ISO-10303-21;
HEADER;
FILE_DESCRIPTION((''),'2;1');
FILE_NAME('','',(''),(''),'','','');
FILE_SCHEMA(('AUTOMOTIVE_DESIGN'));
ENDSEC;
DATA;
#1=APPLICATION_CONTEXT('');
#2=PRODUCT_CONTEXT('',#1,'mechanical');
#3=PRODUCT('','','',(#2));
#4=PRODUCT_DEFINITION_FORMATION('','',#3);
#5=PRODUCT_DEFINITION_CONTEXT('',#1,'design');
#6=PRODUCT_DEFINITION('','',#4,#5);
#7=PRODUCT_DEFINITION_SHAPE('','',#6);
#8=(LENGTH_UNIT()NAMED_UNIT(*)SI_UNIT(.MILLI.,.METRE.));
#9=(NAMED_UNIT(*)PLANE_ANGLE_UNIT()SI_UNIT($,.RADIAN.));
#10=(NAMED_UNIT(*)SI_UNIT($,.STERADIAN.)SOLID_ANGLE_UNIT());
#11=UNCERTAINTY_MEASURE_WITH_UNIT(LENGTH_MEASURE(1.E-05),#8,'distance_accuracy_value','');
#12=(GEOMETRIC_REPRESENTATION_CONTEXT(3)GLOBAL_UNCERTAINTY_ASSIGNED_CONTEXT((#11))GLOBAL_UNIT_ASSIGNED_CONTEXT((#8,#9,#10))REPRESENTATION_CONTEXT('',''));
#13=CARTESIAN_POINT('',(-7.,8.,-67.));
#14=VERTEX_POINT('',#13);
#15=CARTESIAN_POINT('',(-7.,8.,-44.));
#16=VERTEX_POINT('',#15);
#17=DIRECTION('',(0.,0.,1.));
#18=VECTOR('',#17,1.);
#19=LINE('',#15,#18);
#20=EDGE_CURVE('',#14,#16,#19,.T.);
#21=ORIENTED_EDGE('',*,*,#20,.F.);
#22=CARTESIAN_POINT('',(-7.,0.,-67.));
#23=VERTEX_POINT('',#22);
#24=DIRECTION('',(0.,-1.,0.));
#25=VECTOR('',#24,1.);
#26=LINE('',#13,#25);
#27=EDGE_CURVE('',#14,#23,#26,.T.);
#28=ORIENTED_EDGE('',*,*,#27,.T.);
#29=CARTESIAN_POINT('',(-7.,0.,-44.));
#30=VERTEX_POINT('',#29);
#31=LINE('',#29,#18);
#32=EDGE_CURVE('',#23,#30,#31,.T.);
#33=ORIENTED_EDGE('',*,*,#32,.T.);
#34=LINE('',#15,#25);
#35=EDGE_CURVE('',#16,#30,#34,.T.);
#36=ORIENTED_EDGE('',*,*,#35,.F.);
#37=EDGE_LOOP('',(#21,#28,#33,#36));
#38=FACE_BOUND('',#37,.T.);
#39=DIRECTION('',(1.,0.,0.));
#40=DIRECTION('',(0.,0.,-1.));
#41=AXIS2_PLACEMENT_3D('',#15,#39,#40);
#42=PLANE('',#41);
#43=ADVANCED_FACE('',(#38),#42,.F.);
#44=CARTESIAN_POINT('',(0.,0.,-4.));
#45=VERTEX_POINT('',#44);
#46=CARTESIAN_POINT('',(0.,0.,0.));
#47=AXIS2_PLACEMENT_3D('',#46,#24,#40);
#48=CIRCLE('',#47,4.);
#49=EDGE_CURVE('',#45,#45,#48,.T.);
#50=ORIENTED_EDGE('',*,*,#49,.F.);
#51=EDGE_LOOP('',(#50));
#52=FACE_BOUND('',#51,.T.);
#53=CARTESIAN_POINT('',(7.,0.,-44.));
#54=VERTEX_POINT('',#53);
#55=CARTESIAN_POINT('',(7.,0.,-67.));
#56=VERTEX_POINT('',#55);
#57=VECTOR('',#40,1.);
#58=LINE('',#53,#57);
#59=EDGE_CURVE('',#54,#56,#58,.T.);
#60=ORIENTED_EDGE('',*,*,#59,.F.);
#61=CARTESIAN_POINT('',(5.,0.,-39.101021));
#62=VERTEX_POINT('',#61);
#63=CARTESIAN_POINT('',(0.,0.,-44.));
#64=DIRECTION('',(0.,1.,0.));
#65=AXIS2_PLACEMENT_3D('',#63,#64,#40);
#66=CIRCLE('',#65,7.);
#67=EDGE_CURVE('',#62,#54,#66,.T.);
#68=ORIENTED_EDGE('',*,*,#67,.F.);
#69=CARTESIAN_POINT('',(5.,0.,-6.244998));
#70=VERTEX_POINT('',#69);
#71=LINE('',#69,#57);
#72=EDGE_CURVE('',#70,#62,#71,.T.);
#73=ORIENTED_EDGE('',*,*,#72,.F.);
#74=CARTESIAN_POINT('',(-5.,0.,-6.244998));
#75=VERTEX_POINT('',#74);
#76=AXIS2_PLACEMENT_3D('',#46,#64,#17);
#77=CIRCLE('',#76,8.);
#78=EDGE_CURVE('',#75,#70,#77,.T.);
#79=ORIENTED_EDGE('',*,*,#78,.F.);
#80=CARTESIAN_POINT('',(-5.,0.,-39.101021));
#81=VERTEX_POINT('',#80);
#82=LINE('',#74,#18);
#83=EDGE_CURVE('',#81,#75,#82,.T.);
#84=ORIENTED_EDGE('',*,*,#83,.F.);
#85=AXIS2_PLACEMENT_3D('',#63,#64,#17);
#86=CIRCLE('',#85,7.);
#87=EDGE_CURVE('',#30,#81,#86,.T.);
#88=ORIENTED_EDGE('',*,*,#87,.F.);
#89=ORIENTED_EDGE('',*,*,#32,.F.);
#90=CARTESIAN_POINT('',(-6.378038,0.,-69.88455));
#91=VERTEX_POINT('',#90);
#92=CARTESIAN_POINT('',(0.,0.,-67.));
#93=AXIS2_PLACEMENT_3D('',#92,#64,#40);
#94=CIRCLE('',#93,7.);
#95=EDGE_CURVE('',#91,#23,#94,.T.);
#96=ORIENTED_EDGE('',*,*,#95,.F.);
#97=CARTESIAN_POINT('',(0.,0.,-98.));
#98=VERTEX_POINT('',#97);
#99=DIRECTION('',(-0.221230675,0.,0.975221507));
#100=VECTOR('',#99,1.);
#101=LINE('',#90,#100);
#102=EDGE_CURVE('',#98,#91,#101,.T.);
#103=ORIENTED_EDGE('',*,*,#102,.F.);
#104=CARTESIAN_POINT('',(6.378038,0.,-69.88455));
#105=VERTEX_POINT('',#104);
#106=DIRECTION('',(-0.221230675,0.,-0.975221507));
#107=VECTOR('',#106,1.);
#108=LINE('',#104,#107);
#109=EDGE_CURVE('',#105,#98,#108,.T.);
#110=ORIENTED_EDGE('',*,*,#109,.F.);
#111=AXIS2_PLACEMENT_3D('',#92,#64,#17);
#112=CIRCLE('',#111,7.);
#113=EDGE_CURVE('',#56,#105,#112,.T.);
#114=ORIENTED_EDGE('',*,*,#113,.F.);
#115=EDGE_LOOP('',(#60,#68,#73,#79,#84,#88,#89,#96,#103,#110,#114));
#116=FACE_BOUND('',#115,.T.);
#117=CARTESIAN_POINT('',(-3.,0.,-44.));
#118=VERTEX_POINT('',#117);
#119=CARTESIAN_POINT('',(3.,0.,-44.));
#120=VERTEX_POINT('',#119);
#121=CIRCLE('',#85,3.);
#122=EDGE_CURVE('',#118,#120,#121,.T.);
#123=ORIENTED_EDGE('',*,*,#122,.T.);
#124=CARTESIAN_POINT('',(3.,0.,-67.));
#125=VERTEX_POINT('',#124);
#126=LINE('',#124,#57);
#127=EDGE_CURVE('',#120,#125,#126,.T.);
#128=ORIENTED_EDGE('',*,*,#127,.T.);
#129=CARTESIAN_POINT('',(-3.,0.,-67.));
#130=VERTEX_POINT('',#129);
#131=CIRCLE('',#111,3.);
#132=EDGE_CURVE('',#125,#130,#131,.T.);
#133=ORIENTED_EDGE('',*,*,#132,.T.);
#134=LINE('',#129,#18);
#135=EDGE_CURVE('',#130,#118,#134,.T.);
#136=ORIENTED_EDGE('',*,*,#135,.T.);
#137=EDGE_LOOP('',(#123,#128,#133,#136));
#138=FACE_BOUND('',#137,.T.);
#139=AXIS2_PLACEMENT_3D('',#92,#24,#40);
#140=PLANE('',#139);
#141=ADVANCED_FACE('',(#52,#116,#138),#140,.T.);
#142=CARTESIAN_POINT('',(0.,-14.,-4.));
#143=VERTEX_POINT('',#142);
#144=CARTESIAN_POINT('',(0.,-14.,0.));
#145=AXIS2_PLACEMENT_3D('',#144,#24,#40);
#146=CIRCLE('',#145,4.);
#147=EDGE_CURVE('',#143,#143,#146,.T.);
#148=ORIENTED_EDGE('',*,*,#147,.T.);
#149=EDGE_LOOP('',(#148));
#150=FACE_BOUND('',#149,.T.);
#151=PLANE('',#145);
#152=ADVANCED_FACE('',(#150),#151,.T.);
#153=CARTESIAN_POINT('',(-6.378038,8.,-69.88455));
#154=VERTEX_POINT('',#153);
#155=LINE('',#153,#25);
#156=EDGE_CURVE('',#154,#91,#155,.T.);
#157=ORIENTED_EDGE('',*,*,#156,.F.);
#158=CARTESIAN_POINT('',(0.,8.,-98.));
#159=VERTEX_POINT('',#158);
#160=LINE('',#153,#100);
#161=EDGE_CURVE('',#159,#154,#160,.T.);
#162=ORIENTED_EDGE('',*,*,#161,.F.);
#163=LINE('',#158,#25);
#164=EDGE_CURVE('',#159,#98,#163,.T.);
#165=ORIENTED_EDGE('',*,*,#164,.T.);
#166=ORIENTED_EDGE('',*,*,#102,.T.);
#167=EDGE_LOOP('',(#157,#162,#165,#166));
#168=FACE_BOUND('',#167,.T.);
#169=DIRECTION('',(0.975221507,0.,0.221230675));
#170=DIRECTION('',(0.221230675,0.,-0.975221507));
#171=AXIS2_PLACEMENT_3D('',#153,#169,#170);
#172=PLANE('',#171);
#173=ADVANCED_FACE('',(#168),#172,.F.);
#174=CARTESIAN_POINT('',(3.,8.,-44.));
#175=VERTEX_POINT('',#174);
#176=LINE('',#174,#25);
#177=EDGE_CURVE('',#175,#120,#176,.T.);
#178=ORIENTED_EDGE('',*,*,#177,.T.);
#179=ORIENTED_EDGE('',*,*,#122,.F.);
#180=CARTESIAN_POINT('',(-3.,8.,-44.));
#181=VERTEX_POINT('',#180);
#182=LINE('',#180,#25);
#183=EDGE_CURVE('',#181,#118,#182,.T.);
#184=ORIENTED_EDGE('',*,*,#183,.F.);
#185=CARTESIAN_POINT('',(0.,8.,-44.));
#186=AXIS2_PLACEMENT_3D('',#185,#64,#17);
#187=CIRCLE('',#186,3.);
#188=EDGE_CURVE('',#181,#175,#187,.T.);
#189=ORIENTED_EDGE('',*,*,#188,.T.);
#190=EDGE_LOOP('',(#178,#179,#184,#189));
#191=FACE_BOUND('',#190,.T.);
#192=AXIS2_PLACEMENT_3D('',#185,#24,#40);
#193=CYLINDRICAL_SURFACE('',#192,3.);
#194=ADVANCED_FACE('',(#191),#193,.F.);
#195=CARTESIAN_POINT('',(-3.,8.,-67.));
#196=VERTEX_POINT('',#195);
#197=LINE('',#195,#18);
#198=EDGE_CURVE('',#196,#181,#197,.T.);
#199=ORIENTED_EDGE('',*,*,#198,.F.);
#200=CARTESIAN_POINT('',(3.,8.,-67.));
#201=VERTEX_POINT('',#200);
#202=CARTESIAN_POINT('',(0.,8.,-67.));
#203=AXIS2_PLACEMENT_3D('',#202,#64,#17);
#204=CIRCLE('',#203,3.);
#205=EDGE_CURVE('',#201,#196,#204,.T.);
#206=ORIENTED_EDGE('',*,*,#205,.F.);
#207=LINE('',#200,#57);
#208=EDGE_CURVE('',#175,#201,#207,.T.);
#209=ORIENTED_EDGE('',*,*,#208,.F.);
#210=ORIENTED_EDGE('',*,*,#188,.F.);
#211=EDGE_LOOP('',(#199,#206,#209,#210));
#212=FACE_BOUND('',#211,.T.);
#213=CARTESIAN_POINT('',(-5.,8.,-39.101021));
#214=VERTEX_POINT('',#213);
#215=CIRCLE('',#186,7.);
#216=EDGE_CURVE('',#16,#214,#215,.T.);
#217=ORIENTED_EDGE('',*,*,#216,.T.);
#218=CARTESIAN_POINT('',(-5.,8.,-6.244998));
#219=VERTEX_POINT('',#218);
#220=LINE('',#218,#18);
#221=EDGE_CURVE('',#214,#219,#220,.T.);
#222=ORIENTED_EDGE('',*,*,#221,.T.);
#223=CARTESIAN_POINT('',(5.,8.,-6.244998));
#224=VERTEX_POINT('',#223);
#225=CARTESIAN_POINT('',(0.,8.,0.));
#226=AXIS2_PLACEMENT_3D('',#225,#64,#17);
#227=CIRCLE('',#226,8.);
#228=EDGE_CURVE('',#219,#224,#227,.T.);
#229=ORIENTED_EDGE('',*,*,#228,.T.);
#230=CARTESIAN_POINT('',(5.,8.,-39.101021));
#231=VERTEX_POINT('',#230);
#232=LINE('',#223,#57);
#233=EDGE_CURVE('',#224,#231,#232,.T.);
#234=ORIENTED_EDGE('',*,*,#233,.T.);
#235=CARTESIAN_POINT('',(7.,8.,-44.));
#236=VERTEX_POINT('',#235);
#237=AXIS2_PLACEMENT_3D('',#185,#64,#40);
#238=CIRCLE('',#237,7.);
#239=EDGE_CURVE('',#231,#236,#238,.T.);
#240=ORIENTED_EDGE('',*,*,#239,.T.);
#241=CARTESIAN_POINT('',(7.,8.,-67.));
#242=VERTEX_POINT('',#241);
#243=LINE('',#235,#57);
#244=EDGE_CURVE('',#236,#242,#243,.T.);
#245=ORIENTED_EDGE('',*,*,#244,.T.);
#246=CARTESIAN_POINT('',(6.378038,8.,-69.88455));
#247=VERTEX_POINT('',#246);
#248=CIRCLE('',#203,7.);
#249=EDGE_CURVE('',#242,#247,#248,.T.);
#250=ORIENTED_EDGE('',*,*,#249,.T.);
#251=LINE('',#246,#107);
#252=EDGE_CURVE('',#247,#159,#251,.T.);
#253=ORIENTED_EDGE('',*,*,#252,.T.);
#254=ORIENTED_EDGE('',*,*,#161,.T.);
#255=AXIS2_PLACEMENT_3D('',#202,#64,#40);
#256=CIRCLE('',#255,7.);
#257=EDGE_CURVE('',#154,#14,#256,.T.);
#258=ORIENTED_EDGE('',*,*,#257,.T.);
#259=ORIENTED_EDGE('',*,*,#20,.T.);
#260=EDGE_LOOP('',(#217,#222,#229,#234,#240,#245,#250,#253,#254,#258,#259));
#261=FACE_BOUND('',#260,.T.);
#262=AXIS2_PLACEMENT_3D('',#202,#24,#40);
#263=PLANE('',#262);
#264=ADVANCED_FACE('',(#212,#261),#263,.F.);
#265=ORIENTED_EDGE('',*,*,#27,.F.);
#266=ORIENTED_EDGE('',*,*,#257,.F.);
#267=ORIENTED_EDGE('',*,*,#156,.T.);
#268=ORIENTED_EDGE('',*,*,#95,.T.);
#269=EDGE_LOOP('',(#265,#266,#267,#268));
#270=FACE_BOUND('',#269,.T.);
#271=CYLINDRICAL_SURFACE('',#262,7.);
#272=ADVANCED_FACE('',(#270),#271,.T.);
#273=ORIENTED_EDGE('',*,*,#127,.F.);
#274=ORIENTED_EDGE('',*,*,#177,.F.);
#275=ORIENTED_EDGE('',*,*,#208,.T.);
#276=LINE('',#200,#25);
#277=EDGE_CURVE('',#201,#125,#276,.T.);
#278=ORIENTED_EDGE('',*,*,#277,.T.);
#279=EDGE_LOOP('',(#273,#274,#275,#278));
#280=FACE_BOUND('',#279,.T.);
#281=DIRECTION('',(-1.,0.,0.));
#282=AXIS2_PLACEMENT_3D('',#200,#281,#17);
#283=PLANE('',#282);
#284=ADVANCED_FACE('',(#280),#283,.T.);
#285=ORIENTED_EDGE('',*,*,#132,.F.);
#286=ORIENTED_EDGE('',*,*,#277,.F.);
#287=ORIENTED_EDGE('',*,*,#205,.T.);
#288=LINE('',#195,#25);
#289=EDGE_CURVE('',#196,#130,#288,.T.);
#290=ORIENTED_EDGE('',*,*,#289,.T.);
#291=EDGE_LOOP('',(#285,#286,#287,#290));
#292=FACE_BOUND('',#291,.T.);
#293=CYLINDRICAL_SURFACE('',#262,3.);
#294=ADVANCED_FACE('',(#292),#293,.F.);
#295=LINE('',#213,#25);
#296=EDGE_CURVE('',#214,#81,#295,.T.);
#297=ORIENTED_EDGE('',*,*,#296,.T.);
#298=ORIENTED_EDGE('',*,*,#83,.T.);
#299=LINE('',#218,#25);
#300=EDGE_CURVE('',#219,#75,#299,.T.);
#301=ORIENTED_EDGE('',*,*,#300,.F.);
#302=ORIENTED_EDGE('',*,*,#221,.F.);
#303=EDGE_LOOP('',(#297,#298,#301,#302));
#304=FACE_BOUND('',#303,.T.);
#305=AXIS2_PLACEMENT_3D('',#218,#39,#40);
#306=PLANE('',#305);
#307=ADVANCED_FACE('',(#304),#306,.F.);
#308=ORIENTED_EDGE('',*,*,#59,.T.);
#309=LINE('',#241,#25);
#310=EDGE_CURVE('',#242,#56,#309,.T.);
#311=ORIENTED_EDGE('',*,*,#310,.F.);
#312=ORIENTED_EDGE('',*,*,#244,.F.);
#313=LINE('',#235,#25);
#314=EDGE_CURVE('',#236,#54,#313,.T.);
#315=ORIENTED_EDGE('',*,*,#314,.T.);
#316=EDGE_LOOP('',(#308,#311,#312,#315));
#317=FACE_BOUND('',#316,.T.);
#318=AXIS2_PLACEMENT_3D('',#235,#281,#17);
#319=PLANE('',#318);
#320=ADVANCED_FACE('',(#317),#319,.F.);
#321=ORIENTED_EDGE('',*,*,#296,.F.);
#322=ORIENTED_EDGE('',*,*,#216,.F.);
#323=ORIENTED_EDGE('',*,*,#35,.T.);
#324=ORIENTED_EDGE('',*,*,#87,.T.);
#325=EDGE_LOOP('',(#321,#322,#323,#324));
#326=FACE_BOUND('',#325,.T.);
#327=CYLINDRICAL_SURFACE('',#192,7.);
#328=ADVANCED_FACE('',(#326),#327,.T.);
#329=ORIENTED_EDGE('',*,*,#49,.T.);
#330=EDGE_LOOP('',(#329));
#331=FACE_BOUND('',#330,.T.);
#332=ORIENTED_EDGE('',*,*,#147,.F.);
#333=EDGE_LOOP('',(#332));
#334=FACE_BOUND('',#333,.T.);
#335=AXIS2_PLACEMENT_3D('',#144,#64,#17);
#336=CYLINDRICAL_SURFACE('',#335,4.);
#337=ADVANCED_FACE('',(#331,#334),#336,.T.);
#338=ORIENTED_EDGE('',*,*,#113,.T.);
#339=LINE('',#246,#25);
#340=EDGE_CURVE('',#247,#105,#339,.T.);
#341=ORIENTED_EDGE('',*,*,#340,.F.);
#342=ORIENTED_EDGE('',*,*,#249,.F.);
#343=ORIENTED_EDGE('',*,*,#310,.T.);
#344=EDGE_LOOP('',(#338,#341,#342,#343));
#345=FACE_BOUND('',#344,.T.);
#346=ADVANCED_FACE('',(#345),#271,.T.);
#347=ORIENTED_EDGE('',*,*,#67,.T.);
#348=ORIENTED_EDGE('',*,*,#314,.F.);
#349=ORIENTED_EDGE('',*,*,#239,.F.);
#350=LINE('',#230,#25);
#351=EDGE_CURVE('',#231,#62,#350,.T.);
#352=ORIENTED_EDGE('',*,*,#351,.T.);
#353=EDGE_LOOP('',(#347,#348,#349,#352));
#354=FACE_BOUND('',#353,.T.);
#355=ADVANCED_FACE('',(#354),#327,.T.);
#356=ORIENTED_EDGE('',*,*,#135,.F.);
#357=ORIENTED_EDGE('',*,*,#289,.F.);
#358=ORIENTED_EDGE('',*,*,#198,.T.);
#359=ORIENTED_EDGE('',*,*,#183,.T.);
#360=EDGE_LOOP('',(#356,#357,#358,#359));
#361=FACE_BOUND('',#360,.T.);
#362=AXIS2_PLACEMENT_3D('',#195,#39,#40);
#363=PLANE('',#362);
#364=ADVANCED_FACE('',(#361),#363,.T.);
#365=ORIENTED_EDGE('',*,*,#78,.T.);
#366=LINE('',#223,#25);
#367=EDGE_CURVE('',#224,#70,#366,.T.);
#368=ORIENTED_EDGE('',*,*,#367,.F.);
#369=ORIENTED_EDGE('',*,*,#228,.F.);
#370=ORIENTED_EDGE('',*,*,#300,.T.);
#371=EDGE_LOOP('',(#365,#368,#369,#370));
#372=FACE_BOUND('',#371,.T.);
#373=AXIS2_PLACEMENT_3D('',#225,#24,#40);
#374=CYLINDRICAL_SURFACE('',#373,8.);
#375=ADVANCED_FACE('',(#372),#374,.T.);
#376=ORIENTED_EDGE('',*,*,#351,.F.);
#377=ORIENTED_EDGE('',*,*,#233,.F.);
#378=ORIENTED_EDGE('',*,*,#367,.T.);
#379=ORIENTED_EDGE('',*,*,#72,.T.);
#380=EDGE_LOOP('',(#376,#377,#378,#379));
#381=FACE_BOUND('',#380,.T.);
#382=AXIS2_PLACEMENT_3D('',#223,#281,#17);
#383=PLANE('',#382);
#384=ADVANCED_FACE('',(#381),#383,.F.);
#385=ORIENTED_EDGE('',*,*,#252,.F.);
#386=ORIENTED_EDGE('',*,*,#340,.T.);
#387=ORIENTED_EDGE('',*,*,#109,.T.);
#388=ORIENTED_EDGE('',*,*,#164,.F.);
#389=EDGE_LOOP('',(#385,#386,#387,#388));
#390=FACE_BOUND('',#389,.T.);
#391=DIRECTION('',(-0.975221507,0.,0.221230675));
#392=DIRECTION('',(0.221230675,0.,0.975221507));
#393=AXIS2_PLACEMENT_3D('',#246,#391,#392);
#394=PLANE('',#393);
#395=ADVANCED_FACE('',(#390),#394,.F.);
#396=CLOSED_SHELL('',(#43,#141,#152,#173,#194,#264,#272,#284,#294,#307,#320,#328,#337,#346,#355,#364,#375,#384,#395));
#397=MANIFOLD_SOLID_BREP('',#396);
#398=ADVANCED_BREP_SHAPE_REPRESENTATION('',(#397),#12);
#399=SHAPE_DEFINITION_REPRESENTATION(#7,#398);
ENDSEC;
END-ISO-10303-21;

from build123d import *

# Parameters (mm, degrees)
BOSS_EXTRUDE1_DEPTH = 8
SKETCH3_R           = 4
BOSS_EXTRUDE2_DEPTH = 14


with BuildPart() as part:
    # Sketch2 → Boss-Extrude1 (new body)
    with BuildSketch(Plane(origin=(0, 0, 0), x_dir=(1, 0, 0), z_dir=(0, 1, 0))):
        with BuildLine():
            Line((-5, 6.244997998), (-5, 39.101020514))
            ThreePointArc((-5, 39.101020514), (-6.480740698, 41.354248689), (-7, 44))
            Line((-7, 44), (-7, 67))
            ThreePointArc((-7, 67), (-6.84274311, 68.475420866), (-6.378038076, 69.884550276))
            Line((-6.378038076, 69.884550276), (0, 98))
            Line((0, 98), (6.378038076, 69.884550276))
            ThreePointArc((6.378038076, 69.884550276), (6.84274311, 68.475420866), (7, 67))
            Line((7, 67), (7, 44))
            ThreePointArc((7, 44), (6.480740698, 41.354248689), (5, 39.101020514))
            Line((5, 39.101020514), (5, 6.244997998))
            ThreePointArc((5, 6.244997998), (0, -8), (-5, 6.244997998))
        make_face()
        with BuildLine():
            Line((-3, 67), (-3, 44))
            ThreePointArc((-3, 44), (0, 41), (3, 44))
            Line((3, 44), (3, 67))
            ThreePointArc((3, 67), (0, 70), (-3, 67))
        make_face(mode=Mode.SUBTRACT)
    extrude(amount=BOSS_EXTRUDE1_DEPTH)

    # Sketch3 → Boss-Extrude2 (add)
    with BuildSketch(Plane.XZ):
        Circle(SKETCH3_R)
    extrude(amount=BOSS_EXTRUDE2_DEPTH)


solid = part.part
